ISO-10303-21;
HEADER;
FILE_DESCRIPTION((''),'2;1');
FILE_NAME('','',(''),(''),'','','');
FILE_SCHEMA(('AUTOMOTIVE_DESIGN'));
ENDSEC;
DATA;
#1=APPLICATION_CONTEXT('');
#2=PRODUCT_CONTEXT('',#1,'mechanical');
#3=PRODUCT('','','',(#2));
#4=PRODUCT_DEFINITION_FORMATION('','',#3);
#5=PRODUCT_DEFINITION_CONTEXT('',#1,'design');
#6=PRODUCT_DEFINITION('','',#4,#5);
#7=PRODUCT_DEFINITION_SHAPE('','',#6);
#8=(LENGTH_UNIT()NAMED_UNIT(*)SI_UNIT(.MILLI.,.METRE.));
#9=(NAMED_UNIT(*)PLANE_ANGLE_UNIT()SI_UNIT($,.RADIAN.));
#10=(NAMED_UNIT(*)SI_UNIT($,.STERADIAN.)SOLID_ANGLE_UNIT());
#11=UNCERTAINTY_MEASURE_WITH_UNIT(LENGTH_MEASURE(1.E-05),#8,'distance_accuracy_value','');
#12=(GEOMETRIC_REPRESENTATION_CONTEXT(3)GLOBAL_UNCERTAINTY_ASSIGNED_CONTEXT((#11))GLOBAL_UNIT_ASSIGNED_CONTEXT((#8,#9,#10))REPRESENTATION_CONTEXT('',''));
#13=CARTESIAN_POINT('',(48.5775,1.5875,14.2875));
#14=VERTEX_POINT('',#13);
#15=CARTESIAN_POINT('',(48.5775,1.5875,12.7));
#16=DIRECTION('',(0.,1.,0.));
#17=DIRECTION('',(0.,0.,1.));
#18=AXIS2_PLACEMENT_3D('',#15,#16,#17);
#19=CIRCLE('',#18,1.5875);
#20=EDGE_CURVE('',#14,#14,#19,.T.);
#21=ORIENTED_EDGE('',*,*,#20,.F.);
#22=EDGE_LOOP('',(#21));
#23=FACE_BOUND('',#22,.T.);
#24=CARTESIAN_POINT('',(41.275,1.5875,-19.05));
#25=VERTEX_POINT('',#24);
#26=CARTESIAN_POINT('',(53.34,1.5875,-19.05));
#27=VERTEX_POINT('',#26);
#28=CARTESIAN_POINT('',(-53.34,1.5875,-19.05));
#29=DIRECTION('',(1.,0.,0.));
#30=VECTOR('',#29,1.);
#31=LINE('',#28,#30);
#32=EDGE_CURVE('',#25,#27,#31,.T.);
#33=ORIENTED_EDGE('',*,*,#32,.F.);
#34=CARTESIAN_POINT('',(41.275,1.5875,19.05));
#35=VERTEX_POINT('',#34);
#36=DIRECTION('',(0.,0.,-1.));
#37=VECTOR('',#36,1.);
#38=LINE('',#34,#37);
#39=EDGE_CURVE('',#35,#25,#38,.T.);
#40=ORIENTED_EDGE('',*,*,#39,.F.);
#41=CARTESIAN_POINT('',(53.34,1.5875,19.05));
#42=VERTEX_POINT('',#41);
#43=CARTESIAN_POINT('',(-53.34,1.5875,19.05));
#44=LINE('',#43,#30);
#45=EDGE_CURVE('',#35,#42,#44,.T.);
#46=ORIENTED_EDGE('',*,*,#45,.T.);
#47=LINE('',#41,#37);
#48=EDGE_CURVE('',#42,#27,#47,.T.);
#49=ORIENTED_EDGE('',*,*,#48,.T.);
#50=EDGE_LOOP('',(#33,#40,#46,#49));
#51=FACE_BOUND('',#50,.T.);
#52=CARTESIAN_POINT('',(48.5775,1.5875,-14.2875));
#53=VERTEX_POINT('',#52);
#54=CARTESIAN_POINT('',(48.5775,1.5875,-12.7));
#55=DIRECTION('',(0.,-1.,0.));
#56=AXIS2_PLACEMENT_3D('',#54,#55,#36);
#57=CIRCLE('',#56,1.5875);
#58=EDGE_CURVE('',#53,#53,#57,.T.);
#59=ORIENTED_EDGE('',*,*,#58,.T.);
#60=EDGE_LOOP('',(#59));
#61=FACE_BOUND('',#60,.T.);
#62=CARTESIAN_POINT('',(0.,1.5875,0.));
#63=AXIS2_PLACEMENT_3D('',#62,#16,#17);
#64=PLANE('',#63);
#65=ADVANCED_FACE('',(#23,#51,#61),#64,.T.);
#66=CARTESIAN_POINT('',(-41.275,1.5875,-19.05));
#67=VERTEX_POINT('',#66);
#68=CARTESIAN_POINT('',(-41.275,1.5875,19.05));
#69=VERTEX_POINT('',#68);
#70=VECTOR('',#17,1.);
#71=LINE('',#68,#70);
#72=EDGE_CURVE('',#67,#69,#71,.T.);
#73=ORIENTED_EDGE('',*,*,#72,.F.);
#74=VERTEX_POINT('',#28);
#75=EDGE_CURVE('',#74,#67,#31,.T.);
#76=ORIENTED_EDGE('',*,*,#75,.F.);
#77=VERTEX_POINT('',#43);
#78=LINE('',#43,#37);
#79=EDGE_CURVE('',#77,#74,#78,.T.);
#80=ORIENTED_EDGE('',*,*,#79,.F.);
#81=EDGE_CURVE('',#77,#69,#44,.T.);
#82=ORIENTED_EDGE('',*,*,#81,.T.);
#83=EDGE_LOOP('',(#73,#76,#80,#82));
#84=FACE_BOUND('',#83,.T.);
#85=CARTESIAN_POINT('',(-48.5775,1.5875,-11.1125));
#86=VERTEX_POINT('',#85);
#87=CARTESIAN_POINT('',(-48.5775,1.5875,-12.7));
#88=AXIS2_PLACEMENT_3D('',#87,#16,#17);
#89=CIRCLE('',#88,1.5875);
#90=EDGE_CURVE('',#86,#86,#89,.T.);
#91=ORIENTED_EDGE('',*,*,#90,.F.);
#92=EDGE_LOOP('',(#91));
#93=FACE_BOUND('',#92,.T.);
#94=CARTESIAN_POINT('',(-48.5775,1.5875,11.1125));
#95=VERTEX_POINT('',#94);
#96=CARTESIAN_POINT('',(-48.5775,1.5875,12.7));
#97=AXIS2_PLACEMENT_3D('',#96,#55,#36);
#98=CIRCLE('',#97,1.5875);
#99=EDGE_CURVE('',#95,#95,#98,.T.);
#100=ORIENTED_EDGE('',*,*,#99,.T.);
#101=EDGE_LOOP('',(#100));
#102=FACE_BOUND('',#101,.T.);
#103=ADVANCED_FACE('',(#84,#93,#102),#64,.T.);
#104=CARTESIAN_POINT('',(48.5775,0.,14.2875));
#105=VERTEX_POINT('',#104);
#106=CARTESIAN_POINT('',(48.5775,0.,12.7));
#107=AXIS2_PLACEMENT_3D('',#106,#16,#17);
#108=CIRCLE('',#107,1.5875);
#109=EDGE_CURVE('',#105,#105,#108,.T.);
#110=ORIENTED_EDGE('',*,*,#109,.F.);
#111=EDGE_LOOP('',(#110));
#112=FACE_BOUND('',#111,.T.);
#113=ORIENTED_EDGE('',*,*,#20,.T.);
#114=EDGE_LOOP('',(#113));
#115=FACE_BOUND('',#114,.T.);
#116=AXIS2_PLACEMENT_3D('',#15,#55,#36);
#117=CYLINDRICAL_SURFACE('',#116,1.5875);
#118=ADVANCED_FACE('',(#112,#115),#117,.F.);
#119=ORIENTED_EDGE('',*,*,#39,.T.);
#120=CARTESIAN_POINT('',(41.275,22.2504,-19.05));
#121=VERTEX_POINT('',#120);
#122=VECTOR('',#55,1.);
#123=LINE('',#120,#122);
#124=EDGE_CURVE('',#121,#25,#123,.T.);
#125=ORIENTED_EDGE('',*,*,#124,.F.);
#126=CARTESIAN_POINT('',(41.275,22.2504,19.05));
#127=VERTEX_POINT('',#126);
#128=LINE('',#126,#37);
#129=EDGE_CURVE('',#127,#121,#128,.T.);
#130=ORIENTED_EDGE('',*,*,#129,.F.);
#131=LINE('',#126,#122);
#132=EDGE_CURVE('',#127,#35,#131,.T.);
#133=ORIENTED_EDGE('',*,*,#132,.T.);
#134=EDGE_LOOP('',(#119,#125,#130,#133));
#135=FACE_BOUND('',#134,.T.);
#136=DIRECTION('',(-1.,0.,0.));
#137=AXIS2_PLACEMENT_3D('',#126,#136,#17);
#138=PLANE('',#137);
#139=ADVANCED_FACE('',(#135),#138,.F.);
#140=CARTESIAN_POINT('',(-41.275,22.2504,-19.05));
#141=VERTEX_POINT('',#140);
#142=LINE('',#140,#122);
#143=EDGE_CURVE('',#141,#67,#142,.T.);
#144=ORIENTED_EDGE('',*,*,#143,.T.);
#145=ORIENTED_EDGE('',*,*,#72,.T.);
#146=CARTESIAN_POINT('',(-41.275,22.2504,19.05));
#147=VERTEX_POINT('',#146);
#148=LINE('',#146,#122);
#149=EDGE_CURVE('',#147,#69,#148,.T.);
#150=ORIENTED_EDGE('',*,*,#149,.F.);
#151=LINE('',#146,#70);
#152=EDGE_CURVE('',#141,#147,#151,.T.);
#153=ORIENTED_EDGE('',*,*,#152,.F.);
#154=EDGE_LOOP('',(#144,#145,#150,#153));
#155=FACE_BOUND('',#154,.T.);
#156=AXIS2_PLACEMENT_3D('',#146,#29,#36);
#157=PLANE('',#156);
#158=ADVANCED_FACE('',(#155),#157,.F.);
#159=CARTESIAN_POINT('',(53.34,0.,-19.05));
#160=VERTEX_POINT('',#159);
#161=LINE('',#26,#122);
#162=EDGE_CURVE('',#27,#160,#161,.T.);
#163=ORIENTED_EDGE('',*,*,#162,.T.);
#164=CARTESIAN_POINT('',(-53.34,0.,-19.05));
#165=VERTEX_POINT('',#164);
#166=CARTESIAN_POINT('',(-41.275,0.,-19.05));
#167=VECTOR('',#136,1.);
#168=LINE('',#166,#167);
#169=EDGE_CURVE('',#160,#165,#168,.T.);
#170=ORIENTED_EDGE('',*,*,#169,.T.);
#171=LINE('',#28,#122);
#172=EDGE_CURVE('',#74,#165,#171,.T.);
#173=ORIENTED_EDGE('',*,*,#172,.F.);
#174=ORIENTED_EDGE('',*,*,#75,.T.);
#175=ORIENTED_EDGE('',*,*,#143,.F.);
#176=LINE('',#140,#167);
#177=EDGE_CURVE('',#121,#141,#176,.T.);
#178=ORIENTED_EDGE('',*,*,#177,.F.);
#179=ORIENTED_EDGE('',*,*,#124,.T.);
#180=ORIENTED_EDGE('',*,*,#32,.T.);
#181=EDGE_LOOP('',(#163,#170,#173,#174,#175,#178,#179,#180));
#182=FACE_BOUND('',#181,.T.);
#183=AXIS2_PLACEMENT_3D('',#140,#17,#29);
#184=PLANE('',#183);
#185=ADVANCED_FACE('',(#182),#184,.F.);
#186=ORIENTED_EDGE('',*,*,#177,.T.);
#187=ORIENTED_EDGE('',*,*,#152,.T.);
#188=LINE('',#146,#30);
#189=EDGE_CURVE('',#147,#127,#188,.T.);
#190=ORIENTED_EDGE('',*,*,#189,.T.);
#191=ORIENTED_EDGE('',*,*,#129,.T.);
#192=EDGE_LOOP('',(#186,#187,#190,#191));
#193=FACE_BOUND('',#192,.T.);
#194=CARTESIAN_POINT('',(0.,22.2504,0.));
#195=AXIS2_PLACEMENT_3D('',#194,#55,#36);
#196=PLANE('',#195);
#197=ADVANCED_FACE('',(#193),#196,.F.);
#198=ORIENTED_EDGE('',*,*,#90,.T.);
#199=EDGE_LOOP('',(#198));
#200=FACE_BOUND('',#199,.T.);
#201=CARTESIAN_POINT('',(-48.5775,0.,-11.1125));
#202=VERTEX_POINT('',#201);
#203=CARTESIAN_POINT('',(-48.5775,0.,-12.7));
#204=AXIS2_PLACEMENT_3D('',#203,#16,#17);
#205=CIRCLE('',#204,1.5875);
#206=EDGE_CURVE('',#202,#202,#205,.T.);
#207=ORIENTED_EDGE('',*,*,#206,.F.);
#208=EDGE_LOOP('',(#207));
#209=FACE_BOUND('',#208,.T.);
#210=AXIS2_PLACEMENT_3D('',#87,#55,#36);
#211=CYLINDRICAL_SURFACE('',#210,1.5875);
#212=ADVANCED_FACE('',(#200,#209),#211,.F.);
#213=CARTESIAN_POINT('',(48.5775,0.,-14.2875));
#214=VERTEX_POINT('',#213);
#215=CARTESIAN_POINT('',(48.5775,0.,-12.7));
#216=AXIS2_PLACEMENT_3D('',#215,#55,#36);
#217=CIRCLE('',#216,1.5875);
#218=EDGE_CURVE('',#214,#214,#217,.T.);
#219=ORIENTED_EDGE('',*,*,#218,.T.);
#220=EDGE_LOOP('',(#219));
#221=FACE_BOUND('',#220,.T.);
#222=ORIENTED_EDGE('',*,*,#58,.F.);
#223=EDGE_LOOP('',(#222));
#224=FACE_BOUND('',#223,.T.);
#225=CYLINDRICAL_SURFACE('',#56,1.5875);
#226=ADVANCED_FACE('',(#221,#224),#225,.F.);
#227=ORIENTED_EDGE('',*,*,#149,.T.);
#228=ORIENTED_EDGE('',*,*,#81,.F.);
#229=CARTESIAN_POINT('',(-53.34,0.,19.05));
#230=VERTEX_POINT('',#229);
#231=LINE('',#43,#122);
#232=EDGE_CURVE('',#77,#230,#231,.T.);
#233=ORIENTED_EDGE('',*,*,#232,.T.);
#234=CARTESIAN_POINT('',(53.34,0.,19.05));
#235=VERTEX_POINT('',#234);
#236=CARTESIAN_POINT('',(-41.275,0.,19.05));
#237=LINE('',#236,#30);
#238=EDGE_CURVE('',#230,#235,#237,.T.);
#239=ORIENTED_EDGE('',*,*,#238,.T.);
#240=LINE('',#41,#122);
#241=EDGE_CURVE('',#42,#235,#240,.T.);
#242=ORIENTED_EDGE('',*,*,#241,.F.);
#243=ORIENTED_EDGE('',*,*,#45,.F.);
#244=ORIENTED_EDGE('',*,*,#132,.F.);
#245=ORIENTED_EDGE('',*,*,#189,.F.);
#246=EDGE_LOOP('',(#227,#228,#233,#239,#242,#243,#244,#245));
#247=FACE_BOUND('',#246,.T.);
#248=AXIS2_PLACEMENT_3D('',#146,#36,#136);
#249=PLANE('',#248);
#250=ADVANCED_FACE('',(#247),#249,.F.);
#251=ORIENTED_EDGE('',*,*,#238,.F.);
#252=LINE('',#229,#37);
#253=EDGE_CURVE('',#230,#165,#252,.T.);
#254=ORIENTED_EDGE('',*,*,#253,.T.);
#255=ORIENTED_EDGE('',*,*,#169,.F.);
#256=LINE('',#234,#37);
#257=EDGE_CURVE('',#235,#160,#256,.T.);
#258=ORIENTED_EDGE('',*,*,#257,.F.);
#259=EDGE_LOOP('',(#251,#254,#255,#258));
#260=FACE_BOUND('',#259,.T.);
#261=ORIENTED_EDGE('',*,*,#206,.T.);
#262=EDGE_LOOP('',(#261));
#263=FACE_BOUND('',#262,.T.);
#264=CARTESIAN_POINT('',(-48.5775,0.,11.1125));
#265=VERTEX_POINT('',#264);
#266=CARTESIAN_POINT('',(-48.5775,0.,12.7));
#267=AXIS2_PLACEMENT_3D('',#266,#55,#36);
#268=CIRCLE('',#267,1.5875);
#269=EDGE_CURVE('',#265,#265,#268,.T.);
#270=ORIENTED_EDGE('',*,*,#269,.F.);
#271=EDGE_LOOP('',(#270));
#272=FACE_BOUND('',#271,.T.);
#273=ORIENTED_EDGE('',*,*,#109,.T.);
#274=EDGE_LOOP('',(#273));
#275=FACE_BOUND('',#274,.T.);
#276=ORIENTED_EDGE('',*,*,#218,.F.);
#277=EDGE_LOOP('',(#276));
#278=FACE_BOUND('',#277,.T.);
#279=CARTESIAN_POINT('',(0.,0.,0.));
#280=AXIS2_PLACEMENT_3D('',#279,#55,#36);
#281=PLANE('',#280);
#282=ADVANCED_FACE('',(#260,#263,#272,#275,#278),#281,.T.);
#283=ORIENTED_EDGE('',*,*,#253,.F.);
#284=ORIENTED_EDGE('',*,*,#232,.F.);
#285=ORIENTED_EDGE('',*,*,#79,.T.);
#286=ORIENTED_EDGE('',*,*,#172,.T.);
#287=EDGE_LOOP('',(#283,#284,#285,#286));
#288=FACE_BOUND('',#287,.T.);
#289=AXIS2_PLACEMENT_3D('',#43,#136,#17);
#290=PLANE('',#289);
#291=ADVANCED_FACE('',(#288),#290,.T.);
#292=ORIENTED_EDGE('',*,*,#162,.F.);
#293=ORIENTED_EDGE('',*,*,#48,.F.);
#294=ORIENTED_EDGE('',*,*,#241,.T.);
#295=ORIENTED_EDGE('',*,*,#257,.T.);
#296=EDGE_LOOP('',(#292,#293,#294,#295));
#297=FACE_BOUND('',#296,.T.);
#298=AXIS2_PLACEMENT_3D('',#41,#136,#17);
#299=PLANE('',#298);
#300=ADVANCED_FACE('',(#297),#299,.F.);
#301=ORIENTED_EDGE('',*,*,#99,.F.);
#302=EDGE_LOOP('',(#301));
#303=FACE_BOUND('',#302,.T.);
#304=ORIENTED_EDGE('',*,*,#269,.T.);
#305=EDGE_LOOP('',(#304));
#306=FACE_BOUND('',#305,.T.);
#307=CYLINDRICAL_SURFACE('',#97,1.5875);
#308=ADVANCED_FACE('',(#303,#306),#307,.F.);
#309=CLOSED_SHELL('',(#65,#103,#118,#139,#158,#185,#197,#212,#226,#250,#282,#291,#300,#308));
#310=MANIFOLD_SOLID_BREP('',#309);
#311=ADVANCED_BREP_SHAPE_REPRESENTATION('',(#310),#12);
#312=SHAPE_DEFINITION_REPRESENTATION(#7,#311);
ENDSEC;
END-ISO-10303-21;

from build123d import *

# Parameters (mm, degrees)
SKETCH1_W           = 82.55
SKETCH1_H           = 38.1
BOSS_EXTRUDE1_DEPTH = 22.2504
SKETCH2_W           = 106.68
SKETCH2_H           = 38.1
SKETCH2_R           = 1.5875
BOSS_EXTRUDE2_DEPTH = 1.5875


with BuildPart() as part:
    # Sketch1 → Boss-Extrude1 (new body)
    with BuildSketch(Plane(origin=(0, 0, 0), x_dir=(1, 0, 0), z_dir=(0, 1, 0))):
        Rectangle(SKETCH1_W, SKETCH1_H)
    extrude(amount=BOSS_EXTRUDE1_DEPTH)

    # Sketch2 → Boss-Extrude2 (add)
    with BuildSketch(Plane(origin=(0, 0, 0), x_dir=(1, 0, 0), z_dir=(0, 1, 0))):
        Rectangle(SKETCH2_W, SKETCH2_H)
        with Locations(Location((-48.5775, 12.7, 0), (0, 0, 270))):
            Circle(SKETCH2_R, mode=Mode.SUBTRACT)
        with Locations(Location((48.5775, 12.7, 0), (0, 0, 90))):
            Circle(SKETCH2_R, mode=Mode.SUBTRACT)
        with Locations(Location((48.5775, -12.7, 0), (0, 0, 270))):
            Circle(SKETCH2_R, mode=Mode.SUBTRACT)
        with Locations(Location((-48.5775, -12.7, 0), (0, 0, 90))):
            Circle(SKETCH2_R, mode=Mode.SUBTRACT)
    extrude(amount=BOSS_EXTRUDE2_DEPTH)


solid = part.part
